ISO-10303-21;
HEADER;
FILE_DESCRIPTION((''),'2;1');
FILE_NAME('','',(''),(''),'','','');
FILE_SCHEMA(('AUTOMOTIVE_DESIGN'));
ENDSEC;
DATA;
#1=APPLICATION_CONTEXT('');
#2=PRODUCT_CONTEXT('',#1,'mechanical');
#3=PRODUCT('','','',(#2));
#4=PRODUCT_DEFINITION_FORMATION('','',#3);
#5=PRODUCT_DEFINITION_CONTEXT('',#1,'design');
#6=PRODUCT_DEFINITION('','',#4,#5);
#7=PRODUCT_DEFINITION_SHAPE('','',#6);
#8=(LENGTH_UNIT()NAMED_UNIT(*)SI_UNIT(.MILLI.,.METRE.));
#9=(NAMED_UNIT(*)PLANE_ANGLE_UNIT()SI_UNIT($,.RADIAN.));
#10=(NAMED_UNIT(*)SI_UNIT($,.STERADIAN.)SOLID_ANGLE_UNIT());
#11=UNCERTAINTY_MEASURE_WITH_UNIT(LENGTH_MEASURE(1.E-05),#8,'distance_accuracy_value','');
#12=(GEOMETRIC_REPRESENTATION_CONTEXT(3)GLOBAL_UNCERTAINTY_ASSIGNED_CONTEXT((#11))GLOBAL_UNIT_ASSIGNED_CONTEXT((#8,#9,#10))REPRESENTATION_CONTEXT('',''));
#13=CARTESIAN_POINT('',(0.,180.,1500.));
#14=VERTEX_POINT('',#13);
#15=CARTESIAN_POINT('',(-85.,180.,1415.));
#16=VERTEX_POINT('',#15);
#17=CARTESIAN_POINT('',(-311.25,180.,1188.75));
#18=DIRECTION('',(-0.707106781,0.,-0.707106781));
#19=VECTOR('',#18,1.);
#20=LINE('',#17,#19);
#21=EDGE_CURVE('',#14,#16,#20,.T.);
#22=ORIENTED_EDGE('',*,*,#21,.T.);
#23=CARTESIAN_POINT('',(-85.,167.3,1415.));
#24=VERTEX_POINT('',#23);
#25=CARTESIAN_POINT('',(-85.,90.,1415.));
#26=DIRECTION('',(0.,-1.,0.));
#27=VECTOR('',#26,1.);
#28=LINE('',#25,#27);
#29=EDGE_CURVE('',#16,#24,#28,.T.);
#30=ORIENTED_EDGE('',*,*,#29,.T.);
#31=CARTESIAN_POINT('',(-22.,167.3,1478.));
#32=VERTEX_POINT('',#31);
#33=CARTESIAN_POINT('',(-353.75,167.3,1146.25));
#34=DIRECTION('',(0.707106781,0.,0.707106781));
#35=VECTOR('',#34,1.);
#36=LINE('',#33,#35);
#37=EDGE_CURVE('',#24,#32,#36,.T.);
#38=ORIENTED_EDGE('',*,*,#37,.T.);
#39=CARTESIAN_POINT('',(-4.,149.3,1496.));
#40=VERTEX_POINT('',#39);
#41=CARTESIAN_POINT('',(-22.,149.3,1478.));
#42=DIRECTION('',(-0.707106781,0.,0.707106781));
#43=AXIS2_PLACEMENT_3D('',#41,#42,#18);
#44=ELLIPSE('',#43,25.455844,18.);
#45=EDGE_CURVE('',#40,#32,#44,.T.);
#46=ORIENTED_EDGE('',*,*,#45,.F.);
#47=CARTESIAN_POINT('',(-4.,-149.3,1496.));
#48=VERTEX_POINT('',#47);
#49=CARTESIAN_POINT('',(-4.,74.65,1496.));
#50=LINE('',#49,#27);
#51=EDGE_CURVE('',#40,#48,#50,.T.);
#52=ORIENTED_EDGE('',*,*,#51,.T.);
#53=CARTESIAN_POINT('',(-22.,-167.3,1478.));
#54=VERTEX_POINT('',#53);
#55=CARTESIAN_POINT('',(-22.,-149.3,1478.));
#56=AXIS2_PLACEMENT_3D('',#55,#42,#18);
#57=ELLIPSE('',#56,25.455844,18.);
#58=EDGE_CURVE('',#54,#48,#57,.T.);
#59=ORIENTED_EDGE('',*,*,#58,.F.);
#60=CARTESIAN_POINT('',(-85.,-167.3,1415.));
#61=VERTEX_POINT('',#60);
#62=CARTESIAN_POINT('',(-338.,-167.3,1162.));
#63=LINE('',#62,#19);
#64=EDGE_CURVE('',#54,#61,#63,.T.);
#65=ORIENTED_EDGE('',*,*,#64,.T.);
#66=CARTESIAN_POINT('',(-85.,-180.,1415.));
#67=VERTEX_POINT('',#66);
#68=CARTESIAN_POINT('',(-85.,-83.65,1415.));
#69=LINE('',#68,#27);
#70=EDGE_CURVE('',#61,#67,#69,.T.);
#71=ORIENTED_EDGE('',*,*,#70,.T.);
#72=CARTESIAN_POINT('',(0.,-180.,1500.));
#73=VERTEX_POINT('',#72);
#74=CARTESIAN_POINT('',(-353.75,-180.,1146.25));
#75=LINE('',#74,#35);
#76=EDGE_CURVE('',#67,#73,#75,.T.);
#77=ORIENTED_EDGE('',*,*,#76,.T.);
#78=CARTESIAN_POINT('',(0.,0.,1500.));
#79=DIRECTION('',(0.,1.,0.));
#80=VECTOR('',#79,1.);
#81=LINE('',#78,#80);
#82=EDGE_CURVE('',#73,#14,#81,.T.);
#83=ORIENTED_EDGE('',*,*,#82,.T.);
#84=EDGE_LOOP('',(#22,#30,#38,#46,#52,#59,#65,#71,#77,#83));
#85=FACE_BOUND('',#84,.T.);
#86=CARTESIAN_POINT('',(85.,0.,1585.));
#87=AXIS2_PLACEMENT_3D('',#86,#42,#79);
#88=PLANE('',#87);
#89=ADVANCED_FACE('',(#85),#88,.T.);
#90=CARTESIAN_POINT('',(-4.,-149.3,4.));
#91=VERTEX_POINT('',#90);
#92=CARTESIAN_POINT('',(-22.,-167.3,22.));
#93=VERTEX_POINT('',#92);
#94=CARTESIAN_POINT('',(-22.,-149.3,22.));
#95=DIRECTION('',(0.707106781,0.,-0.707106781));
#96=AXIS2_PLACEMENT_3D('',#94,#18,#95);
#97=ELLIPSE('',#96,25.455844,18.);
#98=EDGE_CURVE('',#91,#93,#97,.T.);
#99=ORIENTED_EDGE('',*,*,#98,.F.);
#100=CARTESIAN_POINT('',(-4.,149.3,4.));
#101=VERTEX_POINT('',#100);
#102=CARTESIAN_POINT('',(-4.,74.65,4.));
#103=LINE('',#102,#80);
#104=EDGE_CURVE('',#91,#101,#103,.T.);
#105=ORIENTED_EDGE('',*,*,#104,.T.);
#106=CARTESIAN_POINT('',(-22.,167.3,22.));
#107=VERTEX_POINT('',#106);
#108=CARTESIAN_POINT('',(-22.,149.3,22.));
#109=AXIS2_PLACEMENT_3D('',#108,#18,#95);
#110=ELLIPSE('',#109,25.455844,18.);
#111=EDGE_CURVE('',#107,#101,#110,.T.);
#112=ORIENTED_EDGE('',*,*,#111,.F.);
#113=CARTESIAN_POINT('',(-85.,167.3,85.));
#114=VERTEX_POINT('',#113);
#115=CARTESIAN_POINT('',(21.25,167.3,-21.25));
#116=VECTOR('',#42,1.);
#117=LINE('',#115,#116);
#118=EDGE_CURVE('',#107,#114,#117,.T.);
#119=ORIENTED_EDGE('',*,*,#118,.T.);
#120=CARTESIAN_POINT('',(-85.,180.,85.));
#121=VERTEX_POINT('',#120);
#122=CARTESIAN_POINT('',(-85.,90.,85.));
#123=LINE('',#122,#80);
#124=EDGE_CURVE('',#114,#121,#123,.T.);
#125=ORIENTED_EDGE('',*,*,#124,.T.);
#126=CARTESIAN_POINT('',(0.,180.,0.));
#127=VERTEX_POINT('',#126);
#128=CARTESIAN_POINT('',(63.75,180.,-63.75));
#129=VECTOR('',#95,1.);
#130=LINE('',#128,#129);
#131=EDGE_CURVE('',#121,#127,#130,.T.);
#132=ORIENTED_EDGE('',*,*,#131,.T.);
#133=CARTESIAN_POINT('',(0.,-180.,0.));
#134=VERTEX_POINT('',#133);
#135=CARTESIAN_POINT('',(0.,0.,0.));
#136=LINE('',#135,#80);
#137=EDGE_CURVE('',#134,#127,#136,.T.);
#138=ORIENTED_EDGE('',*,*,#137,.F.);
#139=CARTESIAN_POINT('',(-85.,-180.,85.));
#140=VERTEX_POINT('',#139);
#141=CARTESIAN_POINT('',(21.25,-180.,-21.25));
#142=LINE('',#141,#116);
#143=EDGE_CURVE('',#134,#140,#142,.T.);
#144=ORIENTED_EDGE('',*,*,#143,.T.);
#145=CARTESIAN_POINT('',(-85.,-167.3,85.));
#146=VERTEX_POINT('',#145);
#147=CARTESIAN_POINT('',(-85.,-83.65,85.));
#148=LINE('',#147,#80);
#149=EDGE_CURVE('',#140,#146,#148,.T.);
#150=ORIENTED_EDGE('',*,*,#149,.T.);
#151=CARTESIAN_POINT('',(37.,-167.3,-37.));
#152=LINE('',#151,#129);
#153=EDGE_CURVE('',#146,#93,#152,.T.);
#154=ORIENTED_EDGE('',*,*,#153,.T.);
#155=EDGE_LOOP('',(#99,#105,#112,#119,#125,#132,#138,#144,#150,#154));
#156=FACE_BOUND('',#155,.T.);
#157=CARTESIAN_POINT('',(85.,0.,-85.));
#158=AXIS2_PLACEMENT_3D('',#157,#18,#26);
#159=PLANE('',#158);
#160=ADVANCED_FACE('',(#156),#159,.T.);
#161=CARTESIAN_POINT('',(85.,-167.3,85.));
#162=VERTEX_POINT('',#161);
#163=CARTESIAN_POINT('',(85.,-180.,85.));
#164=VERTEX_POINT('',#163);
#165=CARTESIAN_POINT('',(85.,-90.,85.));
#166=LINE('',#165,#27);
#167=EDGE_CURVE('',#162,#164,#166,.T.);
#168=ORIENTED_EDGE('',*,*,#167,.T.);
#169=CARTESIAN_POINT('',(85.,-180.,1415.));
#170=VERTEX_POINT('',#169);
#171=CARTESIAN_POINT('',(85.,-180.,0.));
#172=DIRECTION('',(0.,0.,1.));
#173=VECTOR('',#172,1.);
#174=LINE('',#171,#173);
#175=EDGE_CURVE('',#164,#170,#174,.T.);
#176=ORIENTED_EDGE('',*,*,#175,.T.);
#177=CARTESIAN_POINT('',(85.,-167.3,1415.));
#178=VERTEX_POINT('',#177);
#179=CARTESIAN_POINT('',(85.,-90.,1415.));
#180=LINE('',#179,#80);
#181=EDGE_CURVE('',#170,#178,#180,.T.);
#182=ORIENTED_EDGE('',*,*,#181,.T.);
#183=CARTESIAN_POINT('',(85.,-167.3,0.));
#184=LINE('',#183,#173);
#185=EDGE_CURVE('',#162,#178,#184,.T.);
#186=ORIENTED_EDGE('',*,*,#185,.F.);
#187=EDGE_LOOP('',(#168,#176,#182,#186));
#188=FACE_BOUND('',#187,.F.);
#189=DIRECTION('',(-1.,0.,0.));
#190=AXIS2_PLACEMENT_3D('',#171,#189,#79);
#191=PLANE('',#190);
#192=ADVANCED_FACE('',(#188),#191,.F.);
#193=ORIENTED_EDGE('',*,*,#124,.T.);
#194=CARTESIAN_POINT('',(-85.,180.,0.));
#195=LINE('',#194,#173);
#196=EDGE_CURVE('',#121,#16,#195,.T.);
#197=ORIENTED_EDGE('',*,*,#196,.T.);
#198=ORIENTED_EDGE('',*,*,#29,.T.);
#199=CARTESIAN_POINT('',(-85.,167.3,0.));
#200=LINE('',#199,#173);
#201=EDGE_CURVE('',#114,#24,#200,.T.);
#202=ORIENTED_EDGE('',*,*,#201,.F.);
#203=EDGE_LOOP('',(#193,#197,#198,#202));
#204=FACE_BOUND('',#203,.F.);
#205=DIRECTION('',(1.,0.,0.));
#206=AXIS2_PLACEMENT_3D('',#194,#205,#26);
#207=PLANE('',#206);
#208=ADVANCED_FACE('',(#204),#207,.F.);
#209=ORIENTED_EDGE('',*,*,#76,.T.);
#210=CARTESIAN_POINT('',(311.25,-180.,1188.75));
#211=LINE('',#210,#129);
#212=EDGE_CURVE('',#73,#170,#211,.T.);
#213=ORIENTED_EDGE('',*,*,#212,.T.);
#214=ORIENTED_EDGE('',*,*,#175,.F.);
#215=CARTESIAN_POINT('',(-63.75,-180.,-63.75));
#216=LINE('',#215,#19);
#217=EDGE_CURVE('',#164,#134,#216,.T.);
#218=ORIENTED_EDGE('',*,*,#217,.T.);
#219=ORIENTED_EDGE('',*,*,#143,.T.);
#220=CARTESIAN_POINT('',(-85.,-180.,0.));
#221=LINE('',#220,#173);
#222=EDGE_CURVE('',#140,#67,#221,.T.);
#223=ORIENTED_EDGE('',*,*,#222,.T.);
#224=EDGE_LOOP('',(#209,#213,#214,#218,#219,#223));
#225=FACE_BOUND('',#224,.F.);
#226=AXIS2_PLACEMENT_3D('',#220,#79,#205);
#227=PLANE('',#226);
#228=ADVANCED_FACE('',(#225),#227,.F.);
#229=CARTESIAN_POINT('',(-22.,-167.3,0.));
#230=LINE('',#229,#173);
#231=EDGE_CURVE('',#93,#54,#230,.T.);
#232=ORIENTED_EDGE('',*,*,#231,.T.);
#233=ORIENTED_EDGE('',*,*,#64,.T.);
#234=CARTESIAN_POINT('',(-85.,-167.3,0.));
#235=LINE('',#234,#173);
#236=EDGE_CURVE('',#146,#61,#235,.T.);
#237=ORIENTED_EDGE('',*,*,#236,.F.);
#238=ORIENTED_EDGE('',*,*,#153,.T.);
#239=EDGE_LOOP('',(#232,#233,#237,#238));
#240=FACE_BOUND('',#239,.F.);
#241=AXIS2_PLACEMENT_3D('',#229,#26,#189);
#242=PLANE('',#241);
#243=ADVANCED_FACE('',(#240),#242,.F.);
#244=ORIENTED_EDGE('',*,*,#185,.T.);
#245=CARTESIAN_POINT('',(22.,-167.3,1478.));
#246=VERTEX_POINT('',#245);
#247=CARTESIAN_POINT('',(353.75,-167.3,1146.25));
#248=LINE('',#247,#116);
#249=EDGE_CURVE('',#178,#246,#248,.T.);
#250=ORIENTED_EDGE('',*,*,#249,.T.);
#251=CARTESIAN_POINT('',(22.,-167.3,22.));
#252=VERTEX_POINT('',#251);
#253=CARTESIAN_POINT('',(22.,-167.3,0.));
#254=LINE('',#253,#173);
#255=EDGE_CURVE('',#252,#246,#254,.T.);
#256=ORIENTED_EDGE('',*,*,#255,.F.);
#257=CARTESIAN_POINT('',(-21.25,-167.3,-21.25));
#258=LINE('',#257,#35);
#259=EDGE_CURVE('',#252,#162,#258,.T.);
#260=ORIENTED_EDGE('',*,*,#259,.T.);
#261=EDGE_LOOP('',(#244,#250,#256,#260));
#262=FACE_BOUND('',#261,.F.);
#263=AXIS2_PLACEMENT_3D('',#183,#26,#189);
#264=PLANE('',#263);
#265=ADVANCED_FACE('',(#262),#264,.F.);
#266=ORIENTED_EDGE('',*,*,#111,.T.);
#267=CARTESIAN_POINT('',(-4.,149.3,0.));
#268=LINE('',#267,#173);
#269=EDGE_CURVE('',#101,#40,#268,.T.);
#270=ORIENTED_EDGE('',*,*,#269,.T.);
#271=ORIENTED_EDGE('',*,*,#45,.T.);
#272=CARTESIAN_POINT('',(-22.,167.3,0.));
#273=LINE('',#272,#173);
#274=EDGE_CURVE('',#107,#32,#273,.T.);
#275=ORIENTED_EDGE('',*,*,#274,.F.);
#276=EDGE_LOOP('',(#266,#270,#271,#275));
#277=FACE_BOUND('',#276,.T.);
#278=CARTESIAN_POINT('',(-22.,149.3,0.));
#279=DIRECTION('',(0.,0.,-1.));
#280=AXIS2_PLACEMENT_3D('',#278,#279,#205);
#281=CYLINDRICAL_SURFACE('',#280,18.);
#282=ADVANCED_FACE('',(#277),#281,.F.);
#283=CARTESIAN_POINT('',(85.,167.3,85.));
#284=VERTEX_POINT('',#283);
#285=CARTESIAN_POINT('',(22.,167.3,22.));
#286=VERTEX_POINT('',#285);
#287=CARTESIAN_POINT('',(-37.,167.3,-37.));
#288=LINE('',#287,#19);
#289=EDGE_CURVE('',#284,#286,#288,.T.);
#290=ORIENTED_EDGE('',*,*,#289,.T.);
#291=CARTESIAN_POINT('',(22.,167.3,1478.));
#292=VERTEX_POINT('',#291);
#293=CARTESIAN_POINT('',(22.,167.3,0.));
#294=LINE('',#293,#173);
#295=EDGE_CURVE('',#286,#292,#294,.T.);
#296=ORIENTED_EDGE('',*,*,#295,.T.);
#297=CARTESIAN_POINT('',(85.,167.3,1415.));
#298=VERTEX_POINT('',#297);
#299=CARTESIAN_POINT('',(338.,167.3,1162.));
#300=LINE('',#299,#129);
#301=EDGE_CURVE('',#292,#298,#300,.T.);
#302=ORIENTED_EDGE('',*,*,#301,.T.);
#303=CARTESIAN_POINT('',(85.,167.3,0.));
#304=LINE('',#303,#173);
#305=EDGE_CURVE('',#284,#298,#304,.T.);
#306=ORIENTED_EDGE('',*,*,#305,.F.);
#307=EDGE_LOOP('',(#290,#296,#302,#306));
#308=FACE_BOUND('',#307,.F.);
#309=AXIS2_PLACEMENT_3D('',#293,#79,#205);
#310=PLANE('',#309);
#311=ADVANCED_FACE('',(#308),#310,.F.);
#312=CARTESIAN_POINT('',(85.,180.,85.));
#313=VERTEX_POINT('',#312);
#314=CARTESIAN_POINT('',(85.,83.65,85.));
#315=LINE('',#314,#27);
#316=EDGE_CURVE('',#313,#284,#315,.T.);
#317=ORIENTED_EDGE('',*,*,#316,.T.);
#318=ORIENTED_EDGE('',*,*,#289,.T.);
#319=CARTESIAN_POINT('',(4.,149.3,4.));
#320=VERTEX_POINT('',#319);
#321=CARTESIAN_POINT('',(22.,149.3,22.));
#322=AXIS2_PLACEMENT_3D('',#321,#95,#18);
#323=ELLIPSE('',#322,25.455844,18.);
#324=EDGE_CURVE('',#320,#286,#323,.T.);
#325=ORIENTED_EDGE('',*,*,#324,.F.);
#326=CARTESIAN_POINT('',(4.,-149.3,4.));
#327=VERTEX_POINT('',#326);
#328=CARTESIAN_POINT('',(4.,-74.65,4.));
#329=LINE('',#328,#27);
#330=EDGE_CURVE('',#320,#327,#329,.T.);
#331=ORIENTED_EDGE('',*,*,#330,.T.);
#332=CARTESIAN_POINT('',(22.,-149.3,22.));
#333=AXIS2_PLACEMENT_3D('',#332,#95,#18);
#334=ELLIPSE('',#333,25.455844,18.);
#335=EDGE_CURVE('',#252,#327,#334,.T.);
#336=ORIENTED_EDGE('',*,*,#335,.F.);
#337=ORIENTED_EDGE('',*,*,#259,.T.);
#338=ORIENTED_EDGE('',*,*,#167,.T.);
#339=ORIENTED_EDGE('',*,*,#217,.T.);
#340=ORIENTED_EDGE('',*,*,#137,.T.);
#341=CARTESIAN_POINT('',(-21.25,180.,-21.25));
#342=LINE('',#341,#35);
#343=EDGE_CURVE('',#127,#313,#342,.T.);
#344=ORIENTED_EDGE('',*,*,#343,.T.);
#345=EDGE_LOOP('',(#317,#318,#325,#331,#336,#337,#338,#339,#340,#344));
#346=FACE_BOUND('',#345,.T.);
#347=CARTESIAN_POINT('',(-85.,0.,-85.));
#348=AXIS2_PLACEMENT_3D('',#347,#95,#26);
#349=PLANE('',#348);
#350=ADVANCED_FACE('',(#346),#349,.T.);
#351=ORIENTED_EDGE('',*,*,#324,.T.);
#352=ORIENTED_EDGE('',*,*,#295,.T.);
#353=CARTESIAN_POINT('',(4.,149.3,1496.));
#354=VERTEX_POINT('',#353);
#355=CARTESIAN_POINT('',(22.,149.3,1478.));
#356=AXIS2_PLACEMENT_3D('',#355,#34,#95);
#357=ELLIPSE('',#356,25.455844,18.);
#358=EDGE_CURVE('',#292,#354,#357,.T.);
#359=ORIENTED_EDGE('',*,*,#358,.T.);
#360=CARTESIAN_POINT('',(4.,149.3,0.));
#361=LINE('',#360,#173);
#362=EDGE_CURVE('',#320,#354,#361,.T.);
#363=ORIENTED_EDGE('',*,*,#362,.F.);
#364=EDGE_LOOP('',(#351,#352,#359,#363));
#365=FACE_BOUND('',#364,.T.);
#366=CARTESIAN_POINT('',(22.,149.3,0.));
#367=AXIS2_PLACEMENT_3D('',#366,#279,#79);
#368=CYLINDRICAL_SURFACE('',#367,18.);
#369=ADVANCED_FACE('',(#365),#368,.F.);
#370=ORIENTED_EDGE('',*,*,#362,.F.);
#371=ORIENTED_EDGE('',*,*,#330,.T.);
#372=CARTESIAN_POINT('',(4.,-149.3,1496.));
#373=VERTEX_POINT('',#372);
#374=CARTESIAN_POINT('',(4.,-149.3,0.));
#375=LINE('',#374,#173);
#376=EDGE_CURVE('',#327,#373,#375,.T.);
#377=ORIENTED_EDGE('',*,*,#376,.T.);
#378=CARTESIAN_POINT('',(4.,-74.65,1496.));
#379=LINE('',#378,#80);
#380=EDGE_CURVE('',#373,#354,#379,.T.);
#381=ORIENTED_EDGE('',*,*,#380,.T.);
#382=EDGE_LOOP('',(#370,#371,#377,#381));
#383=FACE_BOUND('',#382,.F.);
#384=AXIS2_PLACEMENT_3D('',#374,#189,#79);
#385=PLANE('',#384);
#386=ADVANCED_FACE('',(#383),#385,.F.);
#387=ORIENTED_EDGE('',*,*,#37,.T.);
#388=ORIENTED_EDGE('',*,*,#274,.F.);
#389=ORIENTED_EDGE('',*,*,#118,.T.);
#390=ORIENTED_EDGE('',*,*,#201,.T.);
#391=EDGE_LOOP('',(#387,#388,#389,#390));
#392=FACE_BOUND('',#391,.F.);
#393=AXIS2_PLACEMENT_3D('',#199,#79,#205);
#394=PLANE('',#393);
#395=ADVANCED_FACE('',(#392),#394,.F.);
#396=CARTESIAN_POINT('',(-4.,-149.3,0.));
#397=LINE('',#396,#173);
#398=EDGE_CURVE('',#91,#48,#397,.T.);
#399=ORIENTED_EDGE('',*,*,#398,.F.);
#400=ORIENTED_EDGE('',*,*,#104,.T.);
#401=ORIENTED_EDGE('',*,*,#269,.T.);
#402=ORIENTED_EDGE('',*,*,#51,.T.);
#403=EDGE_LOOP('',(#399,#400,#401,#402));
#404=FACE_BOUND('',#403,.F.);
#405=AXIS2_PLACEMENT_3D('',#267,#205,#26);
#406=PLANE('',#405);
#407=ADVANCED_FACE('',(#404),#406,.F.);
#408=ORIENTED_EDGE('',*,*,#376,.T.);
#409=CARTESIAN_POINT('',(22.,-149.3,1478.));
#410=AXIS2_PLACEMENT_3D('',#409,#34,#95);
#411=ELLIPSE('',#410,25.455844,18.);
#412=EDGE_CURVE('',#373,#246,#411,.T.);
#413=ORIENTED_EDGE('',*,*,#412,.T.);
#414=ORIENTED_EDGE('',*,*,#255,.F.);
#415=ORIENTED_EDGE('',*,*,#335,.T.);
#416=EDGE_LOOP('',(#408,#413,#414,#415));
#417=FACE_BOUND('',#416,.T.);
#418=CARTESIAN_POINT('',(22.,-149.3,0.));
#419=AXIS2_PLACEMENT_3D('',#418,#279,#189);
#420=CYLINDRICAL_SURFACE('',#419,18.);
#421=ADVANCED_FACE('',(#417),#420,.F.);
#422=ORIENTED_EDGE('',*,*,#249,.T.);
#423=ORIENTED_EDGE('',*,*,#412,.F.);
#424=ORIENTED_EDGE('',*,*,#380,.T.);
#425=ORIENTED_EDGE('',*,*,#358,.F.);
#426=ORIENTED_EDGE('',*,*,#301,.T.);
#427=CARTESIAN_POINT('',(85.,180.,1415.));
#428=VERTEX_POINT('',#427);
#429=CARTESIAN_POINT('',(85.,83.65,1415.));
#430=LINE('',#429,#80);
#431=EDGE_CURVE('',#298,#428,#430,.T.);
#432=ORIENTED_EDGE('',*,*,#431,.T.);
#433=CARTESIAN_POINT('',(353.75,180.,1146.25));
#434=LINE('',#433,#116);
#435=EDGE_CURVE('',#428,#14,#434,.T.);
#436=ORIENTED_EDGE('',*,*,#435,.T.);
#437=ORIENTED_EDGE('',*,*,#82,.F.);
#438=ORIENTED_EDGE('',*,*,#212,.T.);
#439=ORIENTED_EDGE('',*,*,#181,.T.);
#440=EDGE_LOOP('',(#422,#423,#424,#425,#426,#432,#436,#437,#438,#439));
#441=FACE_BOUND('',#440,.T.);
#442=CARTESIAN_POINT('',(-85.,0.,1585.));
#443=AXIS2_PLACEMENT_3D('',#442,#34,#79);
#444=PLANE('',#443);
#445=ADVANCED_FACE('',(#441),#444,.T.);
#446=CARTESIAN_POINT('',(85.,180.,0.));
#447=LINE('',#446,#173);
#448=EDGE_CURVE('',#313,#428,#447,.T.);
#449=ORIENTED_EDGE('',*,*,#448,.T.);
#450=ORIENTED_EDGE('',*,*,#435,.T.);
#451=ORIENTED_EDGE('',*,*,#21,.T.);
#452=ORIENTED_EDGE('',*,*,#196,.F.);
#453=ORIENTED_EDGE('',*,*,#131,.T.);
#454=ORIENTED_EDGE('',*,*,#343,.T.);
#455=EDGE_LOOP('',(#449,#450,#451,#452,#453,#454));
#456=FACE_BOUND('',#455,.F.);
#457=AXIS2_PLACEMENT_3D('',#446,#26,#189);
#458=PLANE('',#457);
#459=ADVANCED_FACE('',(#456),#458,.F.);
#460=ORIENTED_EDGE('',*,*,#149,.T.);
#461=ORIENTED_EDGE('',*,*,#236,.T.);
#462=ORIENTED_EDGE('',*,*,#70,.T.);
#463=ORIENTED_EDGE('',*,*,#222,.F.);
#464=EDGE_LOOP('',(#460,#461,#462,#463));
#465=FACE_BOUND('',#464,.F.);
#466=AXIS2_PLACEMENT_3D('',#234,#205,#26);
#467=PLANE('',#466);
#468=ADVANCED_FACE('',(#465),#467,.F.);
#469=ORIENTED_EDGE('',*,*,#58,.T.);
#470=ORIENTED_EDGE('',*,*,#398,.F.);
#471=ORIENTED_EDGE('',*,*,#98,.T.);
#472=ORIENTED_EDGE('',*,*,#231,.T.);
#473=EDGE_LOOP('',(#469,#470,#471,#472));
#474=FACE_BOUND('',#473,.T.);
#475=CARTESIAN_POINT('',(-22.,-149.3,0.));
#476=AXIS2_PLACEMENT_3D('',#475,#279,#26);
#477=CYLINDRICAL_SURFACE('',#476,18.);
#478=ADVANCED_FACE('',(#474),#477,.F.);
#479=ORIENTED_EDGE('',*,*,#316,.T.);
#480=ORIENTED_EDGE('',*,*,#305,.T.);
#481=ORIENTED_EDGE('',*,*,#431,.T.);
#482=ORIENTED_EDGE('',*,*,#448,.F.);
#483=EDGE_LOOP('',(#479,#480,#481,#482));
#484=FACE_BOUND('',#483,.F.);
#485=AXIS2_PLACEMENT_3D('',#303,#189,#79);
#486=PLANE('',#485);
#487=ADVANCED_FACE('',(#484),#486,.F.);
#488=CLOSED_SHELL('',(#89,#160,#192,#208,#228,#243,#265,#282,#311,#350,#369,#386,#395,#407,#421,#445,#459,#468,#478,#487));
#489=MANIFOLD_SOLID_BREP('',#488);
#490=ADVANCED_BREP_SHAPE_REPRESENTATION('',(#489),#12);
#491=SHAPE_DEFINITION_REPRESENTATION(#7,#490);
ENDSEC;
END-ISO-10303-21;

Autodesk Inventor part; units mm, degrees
ref_plane "Start Plane" through (0, 0, 0) normal (0, 0, 1) x (1, 0, 0)
ref_plane "End Plane" through (0, 0, 1500) normal (0, 0, 1) x (1, 0, 0)
sketch "Sketch" plane through (0, 0, 0) normal (0, 0, 1) x (1, 0, 0)
  line L0 (-85, 167.3) -> (-22, 167.3)
  line L1 (-85, 180) -> (-85, 167.3)
  line L2 (85, 180) -> (-85, 180)
  line L3 (85, 167.3) -> (85, 180)
  line L4 (22, 167.3) -> (85, 167.3)
  line L5 (4, -149.3) -> (4, 149.3)
  line L6 (85, -167.3) -> (22, -167.3)
  line L7 (85, -180) -> (85, -167.3)
  line L8 (-85, -167.3) -> (-85, -180)
  line L9 (-22, -167.3) -> (-85, -167.3)
  line L10 (-4, 149.3) -> (-4, -149.3)
  line L11 (0, -252) -> (0, 252) construction
  line L12 (-4, -167.3) -> (4, -167.3) construction
  arc A0 (-22, -167.3) -> (-4, -149.3) centre (-22, -149.3) ccw
  arc A1 (-4, 149.3) -> (-22, 167.3) centre (-22, 149.3) ccw
  arc A2 (22, 167.3) -> (4, 149.3) centre (22, 149.3) ccw
  arc A3 (4, -149.3) -> (22, -167.3) centre (22, -149.3) ccw
  line L13 (-119, 0) -> (119, 0) construction
  line L14 (-85, -180) -> (85, -180)
  point P0 (-4, 167.3)
  point P1 (4, 167.3)
  point P2 (0, 0)
  point P3 (0, -167.3)
  point P4 (0, 0)
  dimension "d1" = 360
  dimension "d3" = 12.7
  dimension "d5" = 8
  dimension "d7" = 170
  dimension "d13" = 18
  dimension "d14" = 180
  dimension "d15" = 85
extrude "Body" add sketch "Sketch" along normal up to surface (1500 mm away) from surface at 0
sketch "Sketch3" plane through (0, 0, 0) normal (0, 0, 1) x (1, 0, 0)
  line L0 (0, 0) -> (10, 0)
ref_plane "Work Plane3" through (0, 0, 0) normal (0, -1, 0) x (1, 0, 0)
ref_plane "Work Plane4" through (-85, 0, 1585) normal (0.7071, 0, 0.7071) x (0.7071, 0, -0.7071)
split "Split1" plane through (-85, 0, 1585) removes the side toward (0.7071, 0, 0.7071)
ref_plane "Work Plane5" through (-85, 0, -85) normal (0.7071, 0, -0.7071) x (-0.7071, 0, -0.7071)
split "Split2" plane through (-85, 0, -85) removes the side toward (0.7071, 0, -0.7071)
ref_plane "Work Plane6" through (85, 0, 1585) normal (-0.7071, 0, 0.7071) x (0.7071, 0, 0.7071)
split "Split3" plane through (85, 0, 1585) removes the side toward (-0.7071, 0, 0.7071)
ref_plane "Work Plane7" through (85, 0, -85) normal (-0.7071, 0, -0.7071) x (-0.7071, 0, 0.7071)
split "Split4" plane through (85, 0, -85) removes the side toward (-0.7071, 0, -0.7071)
sketch "Sketch4" plane through (0, 0, 0) normal (0, -1, 0) x (1, 0, 0)
  line L0 (-2, 0) -> (12, 0) projected
  line L1 (-2, 1500) -> (12, 1500) projected
  dimension "d19" = 1500
equation "\"d1\" = ParH"
equation "\"d3\" = t2"
equation "\"d5\" = t1"
equation "\"d7\" = b"
equation "\"d13\" = R1"
equation "\"d14\" = 0.5 * d1"
equation "\"d15\" = 0.5 * d7"
equation "\"d8\" = G_L"
equation "\"b\" = 170"
equation "\"ParH\" = 360"
equation "\"R1\" = 18"
equation "\"G_L\" = d19"
equation "\"t1\" = 8"
equation "\"t2\" = 12.7"
equation "\"G_OFFSET_START\" = 0"
equation "\"G_OFFSET_END\" = 0"
properties part number "DIN 1025 - IPE 360-1500" material "Steel, Mild"
